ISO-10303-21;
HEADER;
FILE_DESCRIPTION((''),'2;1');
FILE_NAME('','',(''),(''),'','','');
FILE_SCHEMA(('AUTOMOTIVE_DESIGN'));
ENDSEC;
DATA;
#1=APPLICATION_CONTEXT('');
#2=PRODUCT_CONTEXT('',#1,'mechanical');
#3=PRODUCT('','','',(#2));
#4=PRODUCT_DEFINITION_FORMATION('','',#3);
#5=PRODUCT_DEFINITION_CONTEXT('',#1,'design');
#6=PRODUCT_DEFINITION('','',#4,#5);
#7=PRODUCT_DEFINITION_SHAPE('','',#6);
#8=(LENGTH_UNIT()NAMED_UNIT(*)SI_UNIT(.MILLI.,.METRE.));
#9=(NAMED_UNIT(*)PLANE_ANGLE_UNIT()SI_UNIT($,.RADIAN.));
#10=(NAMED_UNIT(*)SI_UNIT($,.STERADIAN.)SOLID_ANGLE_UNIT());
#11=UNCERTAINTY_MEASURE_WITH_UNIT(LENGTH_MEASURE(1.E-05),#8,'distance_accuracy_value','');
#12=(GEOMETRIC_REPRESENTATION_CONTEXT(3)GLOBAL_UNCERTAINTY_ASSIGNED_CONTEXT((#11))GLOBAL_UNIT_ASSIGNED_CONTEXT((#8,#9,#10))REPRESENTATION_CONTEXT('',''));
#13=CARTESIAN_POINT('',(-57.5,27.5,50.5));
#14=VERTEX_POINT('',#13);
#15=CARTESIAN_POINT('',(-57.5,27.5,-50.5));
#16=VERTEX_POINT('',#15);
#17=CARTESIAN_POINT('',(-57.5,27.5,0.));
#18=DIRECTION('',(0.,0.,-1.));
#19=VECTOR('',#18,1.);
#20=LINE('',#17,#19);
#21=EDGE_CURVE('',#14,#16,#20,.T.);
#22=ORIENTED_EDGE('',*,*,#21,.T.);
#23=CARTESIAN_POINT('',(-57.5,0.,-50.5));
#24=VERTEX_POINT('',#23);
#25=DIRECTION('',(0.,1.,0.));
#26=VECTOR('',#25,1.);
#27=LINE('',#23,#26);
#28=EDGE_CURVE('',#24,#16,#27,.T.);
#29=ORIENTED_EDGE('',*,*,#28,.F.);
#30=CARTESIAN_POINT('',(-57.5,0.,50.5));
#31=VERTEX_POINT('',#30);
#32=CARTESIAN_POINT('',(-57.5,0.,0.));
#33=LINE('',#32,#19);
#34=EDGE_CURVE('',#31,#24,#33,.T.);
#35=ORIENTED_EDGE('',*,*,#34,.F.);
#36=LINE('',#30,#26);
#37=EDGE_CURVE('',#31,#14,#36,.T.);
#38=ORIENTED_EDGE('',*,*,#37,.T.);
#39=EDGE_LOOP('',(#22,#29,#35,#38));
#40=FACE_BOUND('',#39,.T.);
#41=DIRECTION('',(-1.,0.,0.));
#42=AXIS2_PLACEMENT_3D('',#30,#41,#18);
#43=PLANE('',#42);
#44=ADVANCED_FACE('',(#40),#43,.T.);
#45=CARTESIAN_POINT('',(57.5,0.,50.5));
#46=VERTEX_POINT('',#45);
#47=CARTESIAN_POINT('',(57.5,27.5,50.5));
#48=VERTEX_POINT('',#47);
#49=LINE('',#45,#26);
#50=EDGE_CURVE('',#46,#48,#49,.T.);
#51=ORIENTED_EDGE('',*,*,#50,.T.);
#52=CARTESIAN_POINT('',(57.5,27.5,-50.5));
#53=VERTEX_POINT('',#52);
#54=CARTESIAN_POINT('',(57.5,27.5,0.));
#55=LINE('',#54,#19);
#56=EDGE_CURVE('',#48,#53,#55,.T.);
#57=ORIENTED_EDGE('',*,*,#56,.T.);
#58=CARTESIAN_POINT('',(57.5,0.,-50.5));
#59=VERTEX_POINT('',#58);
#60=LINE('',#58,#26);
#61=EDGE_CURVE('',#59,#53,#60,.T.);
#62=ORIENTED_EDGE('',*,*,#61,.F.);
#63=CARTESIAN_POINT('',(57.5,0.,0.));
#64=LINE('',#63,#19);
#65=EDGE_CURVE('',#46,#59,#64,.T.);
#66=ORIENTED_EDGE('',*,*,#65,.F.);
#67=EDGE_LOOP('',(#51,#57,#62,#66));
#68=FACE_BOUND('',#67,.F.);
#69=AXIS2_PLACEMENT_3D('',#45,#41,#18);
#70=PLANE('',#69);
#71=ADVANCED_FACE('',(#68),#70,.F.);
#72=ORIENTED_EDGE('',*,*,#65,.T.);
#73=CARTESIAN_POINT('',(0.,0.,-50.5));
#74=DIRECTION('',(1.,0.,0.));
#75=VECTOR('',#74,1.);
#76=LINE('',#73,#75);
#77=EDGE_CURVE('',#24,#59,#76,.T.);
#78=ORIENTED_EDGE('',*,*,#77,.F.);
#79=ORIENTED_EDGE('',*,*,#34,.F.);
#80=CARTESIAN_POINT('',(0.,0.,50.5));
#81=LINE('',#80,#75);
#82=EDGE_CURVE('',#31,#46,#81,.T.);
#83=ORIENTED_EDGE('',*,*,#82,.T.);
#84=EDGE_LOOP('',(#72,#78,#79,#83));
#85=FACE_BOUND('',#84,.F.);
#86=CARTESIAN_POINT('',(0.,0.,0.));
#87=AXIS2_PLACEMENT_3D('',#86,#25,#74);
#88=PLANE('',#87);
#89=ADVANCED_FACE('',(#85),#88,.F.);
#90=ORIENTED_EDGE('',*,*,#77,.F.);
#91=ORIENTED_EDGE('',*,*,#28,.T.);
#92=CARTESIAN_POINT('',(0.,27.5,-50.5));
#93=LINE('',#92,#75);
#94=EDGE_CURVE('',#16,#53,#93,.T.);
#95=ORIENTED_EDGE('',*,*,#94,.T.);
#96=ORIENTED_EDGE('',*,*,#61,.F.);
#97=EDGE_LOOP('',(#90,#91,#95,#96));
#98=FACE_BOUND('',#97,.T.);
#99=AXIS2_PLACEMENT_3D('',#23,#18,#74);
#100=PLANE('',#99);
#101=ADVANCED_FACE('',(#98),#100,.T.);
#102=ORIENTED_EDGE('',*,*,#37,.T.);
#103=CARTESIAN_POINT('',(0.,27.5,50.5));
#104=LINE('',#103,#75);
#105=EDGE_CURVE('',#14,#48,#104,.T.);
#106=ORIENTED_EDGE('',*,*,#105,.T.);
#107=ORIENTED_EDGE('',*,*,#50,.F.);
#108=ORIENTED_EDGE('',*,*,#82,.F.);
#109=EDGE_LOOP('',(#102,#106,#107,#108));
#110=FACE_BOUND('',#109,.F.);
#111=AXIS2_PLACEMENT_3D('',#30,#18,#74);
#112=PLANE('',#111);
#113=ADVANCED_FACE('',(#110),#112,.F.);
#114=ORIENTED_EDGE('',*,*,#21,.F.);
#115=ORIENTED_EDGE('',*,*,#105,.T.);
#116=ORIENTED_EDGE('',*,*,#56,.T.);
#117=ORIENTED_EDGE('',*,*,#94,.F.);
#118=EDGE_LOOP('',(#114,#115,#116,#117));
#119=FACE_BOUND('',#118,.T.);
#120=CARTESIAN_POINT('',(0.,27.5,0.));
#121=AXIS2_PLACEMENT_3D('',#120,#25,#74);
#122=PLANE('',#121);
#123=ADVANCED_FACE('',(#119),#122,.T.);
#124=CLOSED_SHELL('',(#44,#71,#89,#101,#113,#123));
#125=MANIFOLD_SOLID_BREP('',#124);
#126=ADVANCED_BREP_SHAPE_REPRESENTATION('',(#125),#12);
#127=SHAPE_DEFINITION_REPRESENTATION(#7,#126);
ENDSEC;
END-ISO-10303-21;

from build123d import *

# Parameters (mm, degrees)
SKETCH1_W           = 115
SKETCH1_H           = 101
BOSS_EXTRUDE1_DEPTH = 27.5


with BuildPart() as part:
    # Sketch1 → Boss-Extrude1 (new body)
    with BuildSketch(Plane(origin=(0, 0, 0), x_dir=(1, 0, 0), z_dir=(0, 1, 0))):
        Rectangle(SKETCH1_W, SKETCH1_H)
    extrude(amount=BOSS_EXTRUDE1_DEPTH)


solid = part.part
